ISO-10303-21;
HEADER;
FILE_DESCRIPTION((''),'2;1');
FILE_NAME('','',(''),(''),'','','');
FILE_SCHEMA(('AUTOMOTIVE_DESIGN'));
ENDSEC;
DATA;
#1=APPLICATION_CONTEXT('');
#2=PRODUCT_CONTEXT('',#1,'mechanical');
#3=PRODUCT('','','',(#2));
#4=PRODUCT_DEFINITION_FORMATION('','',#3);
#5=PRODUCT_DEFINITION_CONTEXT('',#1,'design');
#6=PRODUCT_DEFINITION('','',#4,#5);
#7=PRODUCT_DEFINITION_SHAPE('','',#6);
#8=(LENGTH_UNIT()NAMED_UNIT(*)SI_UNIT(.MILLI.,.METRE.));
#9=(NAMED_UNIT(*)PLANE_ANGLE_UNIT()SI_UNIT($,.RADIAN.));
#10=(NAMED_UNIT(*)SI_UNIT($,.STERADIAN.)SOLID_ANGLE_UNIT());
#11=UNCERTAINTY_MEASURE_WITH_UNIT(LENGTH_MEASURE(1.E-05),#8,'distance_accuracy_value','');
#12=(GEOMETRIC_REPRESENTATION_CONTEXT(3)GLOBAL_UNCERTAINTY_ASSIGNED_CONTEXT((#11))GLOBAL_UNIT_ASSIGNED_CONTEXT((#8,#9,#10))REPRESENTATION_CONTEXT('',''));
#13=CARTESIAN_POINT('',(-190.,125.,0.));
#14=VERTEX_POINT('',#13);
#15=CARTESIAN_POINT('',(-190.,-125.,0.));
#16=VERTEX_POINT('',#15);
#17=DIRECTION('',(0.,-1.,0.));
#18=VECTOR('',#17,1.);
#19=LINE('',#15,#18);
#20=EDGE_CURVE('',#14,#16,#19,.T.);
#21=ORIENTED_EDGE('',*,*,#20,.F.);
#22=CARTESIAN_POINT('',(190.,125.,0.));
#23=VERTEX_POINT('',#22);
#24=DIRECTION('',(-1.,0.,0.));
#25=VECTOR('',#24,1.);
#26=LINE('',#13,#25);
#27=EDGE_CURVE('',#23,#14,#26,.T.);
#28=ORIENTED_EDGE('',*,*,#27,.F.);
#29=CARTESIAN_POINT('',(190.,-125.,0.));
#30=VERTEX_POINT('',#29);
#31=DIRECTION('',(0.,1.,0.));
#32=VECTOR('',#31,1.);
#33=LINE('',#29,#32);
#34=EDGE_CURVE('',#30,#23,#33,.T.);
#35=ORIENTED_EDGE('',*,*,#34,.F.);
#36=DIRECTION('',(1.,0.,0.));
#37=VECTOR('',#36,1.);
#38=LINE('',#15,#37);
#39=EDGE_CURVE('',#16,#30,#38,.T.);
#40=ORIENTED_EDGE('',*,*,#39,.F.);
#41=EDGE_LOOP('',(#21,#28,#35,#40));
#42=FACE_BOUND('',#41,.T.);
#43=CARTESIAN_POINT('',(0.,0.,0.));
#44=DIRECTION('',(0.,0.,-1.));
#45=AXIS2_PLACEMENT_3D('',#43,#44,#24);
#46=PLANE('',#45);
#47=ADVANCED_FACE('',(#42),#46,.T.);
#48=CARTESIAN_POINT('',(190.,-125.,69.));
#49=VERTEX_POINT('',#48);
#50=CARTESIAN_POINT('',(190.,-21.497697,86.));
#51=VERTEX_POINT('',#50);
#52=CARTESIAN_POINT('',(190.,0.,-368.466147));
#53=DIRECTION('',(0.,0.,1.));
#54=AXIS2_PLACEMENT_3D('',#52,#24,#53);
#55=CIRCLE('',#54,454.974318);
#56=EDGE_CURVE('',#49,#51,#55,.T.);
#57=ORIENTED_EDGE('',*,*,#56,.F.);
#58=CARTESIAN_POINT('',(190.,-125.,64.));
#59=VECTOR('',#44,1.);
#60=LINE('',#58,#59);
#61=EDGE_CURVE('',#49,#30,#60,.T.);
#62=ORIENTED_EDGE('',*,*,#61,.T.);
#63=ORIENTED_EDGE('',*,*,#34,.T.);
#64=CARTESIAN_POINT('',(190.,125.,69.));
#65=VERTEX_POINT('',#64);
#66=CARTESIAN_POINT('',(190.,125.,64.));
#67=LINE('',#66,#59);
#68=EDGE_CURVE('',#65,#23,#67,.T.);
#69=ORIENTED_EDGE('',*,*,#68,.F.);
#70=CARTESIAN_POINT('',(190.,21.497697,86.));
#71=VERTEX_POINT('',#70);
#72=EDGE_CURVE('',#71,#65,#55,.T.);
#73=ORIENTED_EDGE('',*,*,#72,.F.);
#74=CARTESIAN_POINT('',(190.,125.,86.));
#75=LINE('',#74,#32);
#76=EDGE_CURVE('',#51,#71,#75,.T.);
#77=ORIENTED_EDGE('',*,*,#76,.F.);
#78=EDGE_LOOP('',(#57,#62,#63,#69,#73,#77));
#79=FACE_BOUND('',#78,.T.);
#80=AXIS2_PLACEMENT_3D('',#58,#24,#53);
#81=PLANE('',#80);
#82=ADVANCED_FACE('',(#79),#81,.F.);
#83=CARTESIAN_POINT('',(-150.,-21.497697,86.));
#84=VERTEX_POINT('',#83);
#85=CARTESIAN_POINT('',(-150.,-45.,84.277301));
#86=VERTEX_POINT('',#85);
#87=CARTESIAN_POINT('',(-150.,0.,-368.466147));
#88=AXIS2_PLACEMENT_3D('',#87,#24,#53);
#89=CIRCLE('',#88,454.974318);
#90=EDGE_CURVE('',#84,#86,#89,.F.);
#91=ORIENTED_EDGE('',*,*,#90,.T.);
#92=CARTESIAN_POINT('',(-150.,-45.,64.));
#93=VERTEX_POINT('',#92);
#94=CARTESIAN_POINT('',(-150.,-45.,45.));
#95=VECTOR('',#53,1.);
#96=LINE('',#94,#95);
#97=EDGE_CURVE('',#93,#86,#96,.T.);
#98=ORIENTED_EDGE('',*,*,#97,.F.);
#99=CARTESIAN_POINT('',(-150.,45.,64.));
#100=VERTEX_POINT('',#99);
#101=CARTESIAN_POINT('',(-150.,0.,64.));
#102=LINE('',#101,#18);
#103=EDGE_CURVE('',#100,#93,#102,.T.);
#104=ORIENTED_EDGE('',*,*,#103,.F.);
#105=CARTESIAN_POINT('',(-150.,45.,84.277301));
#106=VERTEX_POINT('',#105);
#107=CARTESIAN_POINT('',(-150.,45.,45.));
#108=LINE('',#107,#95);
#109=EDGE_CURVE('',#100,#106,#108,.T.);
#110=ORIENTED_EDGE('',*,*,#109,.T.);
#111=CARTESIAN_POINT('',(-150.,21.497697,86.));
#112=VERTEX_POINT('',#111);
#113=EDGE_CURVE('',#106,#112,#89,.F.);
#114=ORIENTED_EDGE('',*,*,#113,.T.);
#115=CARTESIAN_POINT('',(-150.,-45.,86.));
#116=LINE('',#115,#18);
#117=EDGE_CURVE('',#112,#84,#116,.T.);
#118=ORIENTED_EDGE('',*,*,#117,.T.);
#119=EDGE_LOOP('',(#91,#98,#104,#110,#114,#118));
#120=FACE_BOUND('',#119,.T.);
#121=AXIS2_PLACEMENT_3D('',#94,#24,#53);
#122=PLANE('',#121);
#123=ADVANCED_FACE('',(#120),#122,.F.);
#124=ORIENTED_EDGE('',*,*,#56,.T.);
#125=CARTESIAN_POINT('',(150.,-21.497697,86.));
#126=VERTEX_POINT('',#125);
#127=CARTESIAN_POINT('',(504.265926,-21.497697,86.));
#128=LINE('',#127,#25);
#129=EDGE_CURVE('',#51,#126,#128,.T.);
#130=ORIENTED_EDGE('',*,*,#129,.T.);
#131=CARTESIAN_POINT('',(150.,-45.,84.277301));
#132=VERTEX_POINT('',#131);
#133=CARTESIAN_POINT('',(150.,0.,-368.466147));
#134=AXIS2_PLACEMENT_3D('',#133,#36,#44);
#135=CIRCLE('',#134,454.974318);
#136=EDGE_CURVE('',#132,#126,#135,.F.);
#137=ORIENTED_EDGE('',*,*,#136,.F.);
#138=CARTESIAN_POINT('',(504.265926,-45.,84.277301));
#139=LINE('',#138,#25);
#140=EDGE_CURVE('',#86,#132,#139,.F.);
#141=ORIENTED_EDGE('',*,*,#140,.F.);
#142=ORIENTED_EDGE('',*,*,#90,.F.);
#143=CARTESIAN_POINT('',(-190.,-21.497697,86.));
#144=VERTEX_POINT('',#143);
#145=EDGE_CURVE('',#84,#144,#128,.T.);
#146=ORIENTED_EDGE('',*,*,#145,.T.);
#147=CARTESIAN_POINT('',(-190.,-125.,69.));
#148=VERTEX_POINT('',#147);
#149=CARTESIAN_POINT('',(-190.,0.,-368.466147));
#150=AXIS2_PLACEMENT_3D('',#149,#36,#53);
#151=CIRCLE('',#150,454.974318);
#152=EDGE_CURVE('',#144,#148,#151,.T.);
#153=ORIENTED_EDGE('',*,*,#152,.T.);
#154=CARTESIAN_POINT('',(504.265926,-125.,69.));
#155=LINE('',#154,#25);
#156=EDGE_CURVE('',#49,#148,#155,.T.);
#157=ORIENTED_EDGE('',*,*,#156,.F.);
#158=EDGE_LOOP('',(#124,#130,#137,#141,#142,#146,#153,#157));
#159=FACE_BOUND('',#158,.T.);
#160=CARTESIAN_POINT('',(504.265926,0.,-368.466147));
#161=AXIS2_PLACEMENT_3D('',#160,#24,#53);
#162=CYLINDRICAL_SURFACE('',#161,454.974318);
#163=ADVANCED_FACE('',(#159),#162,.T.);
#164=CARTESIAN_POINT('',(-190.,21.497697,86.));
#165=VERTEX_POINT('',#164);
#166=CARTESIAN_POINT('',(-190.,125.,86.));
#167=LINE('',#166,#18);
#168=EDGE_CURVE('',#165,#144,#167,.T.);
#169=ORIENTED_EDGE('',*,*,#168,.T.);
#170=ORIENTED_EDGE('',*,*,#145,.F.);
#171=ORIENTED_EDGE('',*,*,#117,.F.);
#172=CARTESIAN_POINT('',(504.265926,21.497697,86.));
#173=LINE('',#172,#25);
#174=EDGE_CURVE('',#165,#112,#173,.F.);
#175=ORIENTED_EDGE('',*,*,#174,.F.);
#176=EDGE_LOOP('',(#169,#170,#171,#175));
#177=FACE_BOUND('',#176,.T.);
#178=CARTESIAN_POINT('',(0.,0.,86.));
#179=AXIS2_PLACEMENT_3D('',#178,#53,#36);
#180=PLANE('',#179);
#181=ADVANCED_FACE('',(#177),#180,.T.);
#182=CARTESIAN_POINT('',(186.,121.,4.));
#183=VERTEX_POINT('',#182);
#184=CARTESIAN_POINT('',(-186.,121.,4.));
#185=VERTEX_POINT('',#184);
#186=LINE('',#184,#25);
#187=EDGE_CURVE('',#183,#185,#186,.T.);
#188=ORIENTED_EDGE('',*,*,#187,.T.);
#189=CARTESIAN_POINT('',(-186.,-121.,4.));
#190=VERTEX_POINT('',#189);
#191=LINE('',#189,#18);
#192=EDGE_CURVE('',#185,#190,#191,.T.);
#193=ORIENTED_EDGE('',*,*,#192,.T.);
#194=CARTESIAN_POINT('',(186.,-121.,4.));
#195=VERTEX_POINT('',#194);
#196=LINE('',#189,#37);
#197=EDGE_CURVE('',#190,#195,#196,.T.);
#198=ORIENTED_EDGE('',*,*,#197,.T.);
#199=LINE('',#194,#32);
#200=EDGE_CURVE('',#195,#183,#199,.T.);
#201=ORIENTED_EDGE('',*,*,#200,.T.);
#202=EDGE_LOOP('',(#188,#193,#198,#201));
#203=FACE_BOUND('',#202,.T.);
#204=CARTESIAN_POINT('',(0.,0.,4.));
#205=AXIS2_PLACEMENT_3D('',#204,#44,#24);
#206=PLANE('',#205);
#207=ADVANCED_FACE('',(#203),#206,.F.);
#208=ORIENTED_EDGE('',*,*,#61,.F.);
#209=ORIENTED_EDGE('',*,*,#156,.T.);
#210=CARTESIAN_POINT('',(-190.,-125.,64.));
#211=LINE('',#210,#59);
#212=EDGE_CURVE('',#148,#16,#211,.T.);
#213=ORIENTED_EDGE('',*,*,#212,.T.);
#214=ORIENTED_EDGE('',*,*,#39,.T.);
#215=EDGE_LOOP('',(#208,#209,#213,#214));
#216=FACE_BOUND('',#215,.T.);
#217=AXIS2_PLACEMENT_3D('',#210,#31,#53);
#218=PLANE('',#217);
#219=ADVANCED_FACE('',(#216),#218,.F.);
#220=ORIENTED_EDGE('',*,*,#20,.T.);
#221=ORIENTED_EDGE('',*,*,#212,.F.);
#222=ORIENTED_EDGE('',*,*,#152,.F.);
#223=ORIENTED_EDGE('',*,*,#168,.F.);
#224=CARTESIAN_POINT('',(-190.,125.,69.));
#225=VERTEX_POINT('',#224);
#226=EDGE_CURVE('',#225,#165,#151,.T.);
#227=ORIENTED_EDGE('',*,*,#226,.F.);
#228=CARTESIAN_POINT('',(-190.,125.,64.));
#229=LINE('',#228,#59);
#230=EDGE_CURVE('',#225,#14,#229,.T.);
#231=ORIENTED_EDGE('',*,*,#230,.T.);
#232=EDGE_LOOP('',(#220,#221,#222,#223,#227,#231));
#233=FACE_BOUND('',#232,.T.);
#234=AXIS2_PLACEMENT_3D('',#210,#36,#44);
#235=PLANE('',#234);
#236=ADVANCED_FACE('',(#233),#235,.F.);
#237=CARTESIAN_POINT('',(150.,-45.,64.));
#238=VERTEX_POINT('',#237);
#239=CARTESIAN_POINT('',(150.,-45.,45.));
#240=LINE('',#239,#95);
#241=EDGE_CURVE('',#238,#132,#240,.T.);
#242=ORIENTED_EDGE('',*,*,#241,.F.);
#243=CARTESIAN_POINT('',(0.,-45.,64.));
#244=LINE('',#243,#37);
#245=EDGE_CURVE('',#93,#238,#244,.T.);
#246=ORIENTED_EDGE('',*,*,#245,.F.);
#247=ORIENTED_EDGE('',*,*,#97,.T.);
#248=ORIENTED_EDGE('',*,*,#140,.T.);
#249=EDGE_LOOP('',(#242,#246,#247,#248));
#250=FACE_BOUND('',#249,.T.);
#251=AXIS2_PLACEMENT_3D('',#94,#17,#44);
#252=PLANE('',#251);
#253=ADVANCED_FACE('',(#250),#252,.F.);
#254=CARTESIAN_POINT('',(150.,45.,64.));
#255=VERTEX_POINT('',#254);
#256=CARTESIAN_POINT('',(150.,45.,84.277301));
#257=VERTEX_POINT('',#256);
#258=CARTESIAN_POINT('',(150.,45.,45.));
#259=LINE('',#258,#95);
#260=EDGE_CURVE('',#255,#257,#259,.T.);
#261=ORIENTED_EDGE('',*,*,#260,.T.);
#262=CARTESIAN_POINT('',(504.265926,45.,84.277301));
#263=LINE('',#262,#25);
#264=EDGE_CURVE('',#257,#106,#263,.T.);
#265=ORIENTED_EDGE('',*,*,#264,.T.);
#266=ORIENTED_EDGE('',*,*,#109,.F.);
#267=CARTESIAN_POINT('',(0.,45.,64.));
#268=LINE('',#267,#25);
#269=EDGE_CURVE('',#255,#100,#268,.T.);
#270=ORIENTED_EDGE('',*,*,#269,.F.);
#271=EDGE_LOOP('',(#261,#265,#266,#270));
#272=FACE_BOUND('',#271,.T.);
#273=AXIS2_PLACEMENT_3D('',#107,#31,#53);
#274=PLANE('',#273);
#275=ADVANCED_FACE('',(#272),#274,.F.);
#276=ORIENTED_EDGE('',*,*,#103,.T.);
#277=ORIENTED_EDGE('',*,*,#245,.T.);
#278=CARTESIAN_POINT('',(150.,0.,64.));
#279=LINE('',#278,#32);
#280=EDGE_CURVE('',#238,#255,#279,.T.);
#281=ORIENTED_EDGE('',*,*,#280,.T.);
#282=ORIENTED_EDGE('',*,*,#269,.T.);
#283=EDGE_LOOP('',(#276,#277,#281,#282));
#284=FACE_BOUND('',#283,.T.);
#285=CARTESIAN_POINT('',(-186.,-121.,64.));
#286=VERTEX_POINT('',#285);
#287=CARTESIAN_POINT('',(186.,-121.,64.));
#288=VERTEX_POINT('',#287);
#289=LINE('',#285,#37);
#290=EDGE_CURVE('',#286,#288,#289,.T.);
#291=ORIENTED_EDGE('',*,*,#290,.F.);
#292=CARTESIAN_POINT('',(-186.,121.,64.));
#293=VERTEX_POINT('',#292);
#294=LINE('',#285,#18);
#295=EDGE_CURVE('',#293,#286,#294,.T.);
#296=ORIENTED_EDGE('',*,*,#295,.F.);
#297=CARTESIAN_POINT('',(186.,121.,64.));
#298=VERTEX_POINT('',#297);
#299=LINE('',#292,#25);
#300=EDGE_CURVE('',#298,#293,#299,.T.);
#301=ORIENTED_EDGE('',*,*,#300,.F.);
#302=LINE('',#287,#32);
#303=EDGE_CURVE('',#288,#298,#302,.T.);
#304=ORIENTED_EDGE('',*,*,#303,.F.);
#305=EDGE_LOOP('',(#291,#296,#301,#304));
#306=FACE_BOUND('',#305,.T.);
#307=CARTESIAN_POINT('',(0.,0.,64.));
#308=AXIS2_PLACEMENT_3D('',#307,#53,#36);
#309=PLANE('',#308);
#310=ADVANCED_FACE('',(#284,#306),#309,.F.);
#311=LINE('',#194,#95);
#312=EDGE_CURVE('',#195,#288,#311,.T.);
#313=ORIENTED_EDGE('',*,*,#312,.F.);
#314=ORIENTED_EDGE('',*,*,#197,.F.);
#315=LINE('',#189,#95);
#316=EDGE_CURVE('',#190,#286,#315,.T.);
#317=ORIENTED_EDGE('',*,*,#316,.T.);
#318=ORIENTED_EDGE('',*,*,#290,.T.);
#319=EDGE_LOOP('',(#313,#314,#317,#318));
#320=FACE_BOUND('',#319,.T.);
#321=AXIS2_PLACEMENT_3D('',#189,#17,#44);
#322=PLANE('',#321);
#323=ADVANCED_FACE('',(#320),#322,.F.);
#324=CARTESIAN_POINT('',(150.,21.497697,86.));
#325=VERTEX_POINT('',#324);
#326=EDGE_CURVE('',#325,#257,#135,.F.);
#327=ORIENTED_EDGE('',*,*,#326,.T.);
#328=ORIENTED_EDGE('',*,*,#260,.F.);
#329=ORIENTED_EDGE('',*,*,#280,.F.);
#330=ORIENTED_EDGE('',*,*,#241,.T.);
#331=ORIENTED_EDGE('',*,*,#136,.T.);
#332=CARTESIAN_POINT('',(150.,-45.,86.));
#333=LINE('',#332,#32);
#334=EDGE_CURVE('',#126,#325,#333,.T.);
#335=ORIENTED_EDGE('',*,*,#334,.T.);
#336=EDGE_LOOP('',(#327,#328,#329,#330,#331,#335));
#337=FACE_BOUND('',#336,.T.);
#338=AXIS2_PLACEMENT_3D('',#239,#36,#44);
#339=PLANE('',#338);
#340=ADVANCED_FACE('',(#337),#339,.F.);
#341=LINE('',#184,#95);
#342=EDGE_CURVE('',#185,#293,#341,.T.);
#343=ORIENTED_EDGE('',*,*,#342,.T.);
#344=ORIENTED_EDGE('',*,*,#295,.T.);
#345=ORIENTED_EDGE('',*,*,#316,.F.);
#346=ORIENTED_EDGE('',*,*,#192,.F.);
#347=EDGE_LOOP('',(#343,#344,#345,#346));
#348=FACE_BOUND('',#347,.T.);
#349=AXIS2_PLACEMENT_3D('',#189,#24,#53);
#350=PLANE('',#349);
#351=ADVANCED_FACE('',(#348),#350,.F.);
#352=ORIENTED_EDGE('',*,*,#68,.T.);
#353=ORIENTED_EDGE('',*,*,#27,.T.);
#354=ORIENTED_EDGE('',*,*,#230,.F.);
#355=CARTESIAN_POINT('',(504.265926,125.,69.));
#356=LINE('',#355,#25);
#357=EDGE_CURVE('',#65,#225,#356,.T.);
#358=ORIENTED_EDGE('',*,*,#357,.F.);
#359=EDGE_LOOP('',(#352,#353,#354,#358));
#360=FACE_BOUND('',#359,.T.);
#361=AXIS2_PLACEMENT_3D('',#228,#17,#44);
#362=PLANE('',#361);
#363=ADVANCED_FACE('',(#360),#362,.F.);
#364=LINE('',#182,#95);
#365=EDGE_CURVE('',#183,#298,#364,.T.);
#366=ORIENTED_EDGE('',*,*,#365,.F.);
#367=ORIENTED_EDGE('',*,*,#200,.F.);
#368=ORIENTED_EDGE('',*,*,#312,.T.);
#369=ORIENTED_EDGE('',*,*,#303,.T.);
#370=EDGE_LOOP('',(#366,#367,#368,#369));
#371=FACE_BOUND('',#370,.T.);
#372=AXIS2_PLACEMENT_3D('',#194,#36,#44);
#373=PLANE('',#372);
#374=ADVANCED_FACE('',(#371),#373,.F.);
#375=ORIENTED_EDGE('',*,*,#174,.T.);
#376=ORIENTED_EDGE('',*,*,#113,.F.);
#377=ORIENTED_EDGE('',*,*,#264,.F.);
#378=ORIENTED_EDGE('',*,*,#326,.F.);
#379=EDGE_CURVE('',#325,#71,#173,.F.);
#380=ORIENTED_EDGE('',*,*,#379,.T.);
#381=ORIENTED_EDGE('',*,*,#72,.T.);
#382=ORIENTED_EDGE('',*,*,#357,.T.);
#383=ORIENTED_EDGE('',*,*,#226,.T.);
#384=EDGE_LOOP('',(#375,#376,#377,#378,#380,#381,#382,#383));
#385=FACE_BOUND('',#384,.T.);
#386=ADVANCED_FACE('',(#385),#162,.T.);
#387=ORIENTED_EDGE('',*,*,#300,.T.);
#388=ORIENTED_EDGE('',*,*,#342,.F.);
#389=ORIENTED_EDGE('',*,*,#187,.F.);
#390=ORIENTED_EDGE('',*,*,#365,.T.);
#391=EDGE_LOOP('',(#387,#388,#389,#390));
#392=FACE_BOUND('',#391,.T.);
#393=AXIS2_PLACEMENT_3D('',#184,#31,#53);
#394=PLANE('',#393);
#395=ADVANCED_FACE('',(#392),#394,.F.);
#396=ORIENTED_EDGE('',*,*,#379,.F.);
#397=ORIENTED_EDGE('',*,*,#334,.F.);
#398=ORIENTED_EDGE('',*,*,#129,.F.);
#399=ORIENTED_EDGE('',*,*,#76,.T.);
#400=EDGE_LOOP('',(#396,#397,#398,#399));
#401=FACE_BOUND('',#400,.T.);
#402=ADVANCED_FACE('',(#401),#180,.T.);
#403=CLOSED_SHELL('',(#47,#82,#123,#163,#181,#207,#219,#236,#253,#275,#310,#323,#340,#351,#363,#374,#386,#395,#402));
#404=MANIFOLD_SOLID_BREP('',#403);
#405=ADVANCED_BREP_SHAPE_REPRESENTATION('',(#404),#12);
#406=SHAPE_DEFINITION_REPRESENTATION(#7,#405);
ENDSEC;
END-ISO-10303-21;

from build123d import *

# Parameters (mm, degrees)
CROQUIS1_W              = 380
CROQUIS1_H              = 250
SALIENTE_EXTRUIR1_DEPTH = 64
CROQUIS2_W              = 372
CROQUIS2_H              = 242
CORTAR_EXTRUIR1_DEPTH   = 60
CROQUIS3_W              = 380
CROQUIS3_H              = 250
SALIENTE_EXTRUIR2_DEPTH = 22
CROQUIS5_W              = 300
CROQUIS5_H              = 90
CORTAR_EXTRUIR3_DEPTH   = 41
CORTAR_EXTRUIR2_REACH   = 411.171


with BuildPart() as part:
    # Croquis1 → Saliente-Extruir1 (new body)
    with BuildSketch(Plane.XY):
        Rectangle(CROQUIS1_W, CROQUIS1_H)
    extrude(amount=SALIENTE_EXTRUIR1_DEPTH)

    # Croquis2 → Cortar-Extruir1 (cut)
    with BuildSketch(Plane.XY.offset(64)):
        Rectangle(CROQUIS2_W, CROQUIS2_H)
    extrude(amount=-CORTAR_EXTRUIR1_DEPTH, mode=Mode.SUBTRACT)

    # Croquis3 → Saliente-Extruir2 (add)
    with BuildSketch(Plane.XY.offset(64)):
        Rectangle(CROQUIS3_W, CROQUIS3_H)
    extrude(amount=SALIENTE_EXTRUIR2_DEPTH)

    # Croquis5 → Cortar-Extruir3 (cut)
    with BuildSketch(Plane.XY.offset(86)):
        Rectangle(CROQUIS5_W, CROQUIS5_H)
    extrude(amount=-CORTAR_EXTRUIR3_DEPTH, mode=Mode.SUBTRACT)

    # Cortar-Extruir2: up to this face of the body (flat: up to its plane)
    cortar_extruir2_end = Plane(part.part.faces().sort_by_distance((190, 0, 43))[0])
    # Croquis4 → Cortar-Extruir2 (cut, up to the picked face)
    with BuildSketch(Plane.ZY.offset(190), mode=Mode.PRIVATE) as cortar_extruir2_sk1:
        with BuildLine():
            Line((69, 125), (69, 152.478721162))
            Line((69, 152.478721162), (170.671845975, 152.478721162))
            Line((170.671845975, 152.478721162), (170.671845975, -144.88621918))
            Line((170.671845975, -144.88621918), (69, -144.88621918))
            Line((69, -144.88621918), (69, -125))
            ThreePointArc((69, -125), (86.50817069, 0), (69, 125))
        make_face()
    cortar_extruir2_tool1 = split(extrude(cortar_extruir2_sk1.sketch, amount=-CORTAR_EXTRUIR2_REACH, mode=Mode.PRIVATE), bisect_by=cortar_extruir2_end, keep=Keep.BOTH, mode=Mode.PRIVATE)
    add(cortar_extruir2_tool1.solids().sort_by(Axis((-190, 4.203548, 124.537441), (1, 0, 0)))[0], mode=Mode.SUBTRACT)


solid = part.part
